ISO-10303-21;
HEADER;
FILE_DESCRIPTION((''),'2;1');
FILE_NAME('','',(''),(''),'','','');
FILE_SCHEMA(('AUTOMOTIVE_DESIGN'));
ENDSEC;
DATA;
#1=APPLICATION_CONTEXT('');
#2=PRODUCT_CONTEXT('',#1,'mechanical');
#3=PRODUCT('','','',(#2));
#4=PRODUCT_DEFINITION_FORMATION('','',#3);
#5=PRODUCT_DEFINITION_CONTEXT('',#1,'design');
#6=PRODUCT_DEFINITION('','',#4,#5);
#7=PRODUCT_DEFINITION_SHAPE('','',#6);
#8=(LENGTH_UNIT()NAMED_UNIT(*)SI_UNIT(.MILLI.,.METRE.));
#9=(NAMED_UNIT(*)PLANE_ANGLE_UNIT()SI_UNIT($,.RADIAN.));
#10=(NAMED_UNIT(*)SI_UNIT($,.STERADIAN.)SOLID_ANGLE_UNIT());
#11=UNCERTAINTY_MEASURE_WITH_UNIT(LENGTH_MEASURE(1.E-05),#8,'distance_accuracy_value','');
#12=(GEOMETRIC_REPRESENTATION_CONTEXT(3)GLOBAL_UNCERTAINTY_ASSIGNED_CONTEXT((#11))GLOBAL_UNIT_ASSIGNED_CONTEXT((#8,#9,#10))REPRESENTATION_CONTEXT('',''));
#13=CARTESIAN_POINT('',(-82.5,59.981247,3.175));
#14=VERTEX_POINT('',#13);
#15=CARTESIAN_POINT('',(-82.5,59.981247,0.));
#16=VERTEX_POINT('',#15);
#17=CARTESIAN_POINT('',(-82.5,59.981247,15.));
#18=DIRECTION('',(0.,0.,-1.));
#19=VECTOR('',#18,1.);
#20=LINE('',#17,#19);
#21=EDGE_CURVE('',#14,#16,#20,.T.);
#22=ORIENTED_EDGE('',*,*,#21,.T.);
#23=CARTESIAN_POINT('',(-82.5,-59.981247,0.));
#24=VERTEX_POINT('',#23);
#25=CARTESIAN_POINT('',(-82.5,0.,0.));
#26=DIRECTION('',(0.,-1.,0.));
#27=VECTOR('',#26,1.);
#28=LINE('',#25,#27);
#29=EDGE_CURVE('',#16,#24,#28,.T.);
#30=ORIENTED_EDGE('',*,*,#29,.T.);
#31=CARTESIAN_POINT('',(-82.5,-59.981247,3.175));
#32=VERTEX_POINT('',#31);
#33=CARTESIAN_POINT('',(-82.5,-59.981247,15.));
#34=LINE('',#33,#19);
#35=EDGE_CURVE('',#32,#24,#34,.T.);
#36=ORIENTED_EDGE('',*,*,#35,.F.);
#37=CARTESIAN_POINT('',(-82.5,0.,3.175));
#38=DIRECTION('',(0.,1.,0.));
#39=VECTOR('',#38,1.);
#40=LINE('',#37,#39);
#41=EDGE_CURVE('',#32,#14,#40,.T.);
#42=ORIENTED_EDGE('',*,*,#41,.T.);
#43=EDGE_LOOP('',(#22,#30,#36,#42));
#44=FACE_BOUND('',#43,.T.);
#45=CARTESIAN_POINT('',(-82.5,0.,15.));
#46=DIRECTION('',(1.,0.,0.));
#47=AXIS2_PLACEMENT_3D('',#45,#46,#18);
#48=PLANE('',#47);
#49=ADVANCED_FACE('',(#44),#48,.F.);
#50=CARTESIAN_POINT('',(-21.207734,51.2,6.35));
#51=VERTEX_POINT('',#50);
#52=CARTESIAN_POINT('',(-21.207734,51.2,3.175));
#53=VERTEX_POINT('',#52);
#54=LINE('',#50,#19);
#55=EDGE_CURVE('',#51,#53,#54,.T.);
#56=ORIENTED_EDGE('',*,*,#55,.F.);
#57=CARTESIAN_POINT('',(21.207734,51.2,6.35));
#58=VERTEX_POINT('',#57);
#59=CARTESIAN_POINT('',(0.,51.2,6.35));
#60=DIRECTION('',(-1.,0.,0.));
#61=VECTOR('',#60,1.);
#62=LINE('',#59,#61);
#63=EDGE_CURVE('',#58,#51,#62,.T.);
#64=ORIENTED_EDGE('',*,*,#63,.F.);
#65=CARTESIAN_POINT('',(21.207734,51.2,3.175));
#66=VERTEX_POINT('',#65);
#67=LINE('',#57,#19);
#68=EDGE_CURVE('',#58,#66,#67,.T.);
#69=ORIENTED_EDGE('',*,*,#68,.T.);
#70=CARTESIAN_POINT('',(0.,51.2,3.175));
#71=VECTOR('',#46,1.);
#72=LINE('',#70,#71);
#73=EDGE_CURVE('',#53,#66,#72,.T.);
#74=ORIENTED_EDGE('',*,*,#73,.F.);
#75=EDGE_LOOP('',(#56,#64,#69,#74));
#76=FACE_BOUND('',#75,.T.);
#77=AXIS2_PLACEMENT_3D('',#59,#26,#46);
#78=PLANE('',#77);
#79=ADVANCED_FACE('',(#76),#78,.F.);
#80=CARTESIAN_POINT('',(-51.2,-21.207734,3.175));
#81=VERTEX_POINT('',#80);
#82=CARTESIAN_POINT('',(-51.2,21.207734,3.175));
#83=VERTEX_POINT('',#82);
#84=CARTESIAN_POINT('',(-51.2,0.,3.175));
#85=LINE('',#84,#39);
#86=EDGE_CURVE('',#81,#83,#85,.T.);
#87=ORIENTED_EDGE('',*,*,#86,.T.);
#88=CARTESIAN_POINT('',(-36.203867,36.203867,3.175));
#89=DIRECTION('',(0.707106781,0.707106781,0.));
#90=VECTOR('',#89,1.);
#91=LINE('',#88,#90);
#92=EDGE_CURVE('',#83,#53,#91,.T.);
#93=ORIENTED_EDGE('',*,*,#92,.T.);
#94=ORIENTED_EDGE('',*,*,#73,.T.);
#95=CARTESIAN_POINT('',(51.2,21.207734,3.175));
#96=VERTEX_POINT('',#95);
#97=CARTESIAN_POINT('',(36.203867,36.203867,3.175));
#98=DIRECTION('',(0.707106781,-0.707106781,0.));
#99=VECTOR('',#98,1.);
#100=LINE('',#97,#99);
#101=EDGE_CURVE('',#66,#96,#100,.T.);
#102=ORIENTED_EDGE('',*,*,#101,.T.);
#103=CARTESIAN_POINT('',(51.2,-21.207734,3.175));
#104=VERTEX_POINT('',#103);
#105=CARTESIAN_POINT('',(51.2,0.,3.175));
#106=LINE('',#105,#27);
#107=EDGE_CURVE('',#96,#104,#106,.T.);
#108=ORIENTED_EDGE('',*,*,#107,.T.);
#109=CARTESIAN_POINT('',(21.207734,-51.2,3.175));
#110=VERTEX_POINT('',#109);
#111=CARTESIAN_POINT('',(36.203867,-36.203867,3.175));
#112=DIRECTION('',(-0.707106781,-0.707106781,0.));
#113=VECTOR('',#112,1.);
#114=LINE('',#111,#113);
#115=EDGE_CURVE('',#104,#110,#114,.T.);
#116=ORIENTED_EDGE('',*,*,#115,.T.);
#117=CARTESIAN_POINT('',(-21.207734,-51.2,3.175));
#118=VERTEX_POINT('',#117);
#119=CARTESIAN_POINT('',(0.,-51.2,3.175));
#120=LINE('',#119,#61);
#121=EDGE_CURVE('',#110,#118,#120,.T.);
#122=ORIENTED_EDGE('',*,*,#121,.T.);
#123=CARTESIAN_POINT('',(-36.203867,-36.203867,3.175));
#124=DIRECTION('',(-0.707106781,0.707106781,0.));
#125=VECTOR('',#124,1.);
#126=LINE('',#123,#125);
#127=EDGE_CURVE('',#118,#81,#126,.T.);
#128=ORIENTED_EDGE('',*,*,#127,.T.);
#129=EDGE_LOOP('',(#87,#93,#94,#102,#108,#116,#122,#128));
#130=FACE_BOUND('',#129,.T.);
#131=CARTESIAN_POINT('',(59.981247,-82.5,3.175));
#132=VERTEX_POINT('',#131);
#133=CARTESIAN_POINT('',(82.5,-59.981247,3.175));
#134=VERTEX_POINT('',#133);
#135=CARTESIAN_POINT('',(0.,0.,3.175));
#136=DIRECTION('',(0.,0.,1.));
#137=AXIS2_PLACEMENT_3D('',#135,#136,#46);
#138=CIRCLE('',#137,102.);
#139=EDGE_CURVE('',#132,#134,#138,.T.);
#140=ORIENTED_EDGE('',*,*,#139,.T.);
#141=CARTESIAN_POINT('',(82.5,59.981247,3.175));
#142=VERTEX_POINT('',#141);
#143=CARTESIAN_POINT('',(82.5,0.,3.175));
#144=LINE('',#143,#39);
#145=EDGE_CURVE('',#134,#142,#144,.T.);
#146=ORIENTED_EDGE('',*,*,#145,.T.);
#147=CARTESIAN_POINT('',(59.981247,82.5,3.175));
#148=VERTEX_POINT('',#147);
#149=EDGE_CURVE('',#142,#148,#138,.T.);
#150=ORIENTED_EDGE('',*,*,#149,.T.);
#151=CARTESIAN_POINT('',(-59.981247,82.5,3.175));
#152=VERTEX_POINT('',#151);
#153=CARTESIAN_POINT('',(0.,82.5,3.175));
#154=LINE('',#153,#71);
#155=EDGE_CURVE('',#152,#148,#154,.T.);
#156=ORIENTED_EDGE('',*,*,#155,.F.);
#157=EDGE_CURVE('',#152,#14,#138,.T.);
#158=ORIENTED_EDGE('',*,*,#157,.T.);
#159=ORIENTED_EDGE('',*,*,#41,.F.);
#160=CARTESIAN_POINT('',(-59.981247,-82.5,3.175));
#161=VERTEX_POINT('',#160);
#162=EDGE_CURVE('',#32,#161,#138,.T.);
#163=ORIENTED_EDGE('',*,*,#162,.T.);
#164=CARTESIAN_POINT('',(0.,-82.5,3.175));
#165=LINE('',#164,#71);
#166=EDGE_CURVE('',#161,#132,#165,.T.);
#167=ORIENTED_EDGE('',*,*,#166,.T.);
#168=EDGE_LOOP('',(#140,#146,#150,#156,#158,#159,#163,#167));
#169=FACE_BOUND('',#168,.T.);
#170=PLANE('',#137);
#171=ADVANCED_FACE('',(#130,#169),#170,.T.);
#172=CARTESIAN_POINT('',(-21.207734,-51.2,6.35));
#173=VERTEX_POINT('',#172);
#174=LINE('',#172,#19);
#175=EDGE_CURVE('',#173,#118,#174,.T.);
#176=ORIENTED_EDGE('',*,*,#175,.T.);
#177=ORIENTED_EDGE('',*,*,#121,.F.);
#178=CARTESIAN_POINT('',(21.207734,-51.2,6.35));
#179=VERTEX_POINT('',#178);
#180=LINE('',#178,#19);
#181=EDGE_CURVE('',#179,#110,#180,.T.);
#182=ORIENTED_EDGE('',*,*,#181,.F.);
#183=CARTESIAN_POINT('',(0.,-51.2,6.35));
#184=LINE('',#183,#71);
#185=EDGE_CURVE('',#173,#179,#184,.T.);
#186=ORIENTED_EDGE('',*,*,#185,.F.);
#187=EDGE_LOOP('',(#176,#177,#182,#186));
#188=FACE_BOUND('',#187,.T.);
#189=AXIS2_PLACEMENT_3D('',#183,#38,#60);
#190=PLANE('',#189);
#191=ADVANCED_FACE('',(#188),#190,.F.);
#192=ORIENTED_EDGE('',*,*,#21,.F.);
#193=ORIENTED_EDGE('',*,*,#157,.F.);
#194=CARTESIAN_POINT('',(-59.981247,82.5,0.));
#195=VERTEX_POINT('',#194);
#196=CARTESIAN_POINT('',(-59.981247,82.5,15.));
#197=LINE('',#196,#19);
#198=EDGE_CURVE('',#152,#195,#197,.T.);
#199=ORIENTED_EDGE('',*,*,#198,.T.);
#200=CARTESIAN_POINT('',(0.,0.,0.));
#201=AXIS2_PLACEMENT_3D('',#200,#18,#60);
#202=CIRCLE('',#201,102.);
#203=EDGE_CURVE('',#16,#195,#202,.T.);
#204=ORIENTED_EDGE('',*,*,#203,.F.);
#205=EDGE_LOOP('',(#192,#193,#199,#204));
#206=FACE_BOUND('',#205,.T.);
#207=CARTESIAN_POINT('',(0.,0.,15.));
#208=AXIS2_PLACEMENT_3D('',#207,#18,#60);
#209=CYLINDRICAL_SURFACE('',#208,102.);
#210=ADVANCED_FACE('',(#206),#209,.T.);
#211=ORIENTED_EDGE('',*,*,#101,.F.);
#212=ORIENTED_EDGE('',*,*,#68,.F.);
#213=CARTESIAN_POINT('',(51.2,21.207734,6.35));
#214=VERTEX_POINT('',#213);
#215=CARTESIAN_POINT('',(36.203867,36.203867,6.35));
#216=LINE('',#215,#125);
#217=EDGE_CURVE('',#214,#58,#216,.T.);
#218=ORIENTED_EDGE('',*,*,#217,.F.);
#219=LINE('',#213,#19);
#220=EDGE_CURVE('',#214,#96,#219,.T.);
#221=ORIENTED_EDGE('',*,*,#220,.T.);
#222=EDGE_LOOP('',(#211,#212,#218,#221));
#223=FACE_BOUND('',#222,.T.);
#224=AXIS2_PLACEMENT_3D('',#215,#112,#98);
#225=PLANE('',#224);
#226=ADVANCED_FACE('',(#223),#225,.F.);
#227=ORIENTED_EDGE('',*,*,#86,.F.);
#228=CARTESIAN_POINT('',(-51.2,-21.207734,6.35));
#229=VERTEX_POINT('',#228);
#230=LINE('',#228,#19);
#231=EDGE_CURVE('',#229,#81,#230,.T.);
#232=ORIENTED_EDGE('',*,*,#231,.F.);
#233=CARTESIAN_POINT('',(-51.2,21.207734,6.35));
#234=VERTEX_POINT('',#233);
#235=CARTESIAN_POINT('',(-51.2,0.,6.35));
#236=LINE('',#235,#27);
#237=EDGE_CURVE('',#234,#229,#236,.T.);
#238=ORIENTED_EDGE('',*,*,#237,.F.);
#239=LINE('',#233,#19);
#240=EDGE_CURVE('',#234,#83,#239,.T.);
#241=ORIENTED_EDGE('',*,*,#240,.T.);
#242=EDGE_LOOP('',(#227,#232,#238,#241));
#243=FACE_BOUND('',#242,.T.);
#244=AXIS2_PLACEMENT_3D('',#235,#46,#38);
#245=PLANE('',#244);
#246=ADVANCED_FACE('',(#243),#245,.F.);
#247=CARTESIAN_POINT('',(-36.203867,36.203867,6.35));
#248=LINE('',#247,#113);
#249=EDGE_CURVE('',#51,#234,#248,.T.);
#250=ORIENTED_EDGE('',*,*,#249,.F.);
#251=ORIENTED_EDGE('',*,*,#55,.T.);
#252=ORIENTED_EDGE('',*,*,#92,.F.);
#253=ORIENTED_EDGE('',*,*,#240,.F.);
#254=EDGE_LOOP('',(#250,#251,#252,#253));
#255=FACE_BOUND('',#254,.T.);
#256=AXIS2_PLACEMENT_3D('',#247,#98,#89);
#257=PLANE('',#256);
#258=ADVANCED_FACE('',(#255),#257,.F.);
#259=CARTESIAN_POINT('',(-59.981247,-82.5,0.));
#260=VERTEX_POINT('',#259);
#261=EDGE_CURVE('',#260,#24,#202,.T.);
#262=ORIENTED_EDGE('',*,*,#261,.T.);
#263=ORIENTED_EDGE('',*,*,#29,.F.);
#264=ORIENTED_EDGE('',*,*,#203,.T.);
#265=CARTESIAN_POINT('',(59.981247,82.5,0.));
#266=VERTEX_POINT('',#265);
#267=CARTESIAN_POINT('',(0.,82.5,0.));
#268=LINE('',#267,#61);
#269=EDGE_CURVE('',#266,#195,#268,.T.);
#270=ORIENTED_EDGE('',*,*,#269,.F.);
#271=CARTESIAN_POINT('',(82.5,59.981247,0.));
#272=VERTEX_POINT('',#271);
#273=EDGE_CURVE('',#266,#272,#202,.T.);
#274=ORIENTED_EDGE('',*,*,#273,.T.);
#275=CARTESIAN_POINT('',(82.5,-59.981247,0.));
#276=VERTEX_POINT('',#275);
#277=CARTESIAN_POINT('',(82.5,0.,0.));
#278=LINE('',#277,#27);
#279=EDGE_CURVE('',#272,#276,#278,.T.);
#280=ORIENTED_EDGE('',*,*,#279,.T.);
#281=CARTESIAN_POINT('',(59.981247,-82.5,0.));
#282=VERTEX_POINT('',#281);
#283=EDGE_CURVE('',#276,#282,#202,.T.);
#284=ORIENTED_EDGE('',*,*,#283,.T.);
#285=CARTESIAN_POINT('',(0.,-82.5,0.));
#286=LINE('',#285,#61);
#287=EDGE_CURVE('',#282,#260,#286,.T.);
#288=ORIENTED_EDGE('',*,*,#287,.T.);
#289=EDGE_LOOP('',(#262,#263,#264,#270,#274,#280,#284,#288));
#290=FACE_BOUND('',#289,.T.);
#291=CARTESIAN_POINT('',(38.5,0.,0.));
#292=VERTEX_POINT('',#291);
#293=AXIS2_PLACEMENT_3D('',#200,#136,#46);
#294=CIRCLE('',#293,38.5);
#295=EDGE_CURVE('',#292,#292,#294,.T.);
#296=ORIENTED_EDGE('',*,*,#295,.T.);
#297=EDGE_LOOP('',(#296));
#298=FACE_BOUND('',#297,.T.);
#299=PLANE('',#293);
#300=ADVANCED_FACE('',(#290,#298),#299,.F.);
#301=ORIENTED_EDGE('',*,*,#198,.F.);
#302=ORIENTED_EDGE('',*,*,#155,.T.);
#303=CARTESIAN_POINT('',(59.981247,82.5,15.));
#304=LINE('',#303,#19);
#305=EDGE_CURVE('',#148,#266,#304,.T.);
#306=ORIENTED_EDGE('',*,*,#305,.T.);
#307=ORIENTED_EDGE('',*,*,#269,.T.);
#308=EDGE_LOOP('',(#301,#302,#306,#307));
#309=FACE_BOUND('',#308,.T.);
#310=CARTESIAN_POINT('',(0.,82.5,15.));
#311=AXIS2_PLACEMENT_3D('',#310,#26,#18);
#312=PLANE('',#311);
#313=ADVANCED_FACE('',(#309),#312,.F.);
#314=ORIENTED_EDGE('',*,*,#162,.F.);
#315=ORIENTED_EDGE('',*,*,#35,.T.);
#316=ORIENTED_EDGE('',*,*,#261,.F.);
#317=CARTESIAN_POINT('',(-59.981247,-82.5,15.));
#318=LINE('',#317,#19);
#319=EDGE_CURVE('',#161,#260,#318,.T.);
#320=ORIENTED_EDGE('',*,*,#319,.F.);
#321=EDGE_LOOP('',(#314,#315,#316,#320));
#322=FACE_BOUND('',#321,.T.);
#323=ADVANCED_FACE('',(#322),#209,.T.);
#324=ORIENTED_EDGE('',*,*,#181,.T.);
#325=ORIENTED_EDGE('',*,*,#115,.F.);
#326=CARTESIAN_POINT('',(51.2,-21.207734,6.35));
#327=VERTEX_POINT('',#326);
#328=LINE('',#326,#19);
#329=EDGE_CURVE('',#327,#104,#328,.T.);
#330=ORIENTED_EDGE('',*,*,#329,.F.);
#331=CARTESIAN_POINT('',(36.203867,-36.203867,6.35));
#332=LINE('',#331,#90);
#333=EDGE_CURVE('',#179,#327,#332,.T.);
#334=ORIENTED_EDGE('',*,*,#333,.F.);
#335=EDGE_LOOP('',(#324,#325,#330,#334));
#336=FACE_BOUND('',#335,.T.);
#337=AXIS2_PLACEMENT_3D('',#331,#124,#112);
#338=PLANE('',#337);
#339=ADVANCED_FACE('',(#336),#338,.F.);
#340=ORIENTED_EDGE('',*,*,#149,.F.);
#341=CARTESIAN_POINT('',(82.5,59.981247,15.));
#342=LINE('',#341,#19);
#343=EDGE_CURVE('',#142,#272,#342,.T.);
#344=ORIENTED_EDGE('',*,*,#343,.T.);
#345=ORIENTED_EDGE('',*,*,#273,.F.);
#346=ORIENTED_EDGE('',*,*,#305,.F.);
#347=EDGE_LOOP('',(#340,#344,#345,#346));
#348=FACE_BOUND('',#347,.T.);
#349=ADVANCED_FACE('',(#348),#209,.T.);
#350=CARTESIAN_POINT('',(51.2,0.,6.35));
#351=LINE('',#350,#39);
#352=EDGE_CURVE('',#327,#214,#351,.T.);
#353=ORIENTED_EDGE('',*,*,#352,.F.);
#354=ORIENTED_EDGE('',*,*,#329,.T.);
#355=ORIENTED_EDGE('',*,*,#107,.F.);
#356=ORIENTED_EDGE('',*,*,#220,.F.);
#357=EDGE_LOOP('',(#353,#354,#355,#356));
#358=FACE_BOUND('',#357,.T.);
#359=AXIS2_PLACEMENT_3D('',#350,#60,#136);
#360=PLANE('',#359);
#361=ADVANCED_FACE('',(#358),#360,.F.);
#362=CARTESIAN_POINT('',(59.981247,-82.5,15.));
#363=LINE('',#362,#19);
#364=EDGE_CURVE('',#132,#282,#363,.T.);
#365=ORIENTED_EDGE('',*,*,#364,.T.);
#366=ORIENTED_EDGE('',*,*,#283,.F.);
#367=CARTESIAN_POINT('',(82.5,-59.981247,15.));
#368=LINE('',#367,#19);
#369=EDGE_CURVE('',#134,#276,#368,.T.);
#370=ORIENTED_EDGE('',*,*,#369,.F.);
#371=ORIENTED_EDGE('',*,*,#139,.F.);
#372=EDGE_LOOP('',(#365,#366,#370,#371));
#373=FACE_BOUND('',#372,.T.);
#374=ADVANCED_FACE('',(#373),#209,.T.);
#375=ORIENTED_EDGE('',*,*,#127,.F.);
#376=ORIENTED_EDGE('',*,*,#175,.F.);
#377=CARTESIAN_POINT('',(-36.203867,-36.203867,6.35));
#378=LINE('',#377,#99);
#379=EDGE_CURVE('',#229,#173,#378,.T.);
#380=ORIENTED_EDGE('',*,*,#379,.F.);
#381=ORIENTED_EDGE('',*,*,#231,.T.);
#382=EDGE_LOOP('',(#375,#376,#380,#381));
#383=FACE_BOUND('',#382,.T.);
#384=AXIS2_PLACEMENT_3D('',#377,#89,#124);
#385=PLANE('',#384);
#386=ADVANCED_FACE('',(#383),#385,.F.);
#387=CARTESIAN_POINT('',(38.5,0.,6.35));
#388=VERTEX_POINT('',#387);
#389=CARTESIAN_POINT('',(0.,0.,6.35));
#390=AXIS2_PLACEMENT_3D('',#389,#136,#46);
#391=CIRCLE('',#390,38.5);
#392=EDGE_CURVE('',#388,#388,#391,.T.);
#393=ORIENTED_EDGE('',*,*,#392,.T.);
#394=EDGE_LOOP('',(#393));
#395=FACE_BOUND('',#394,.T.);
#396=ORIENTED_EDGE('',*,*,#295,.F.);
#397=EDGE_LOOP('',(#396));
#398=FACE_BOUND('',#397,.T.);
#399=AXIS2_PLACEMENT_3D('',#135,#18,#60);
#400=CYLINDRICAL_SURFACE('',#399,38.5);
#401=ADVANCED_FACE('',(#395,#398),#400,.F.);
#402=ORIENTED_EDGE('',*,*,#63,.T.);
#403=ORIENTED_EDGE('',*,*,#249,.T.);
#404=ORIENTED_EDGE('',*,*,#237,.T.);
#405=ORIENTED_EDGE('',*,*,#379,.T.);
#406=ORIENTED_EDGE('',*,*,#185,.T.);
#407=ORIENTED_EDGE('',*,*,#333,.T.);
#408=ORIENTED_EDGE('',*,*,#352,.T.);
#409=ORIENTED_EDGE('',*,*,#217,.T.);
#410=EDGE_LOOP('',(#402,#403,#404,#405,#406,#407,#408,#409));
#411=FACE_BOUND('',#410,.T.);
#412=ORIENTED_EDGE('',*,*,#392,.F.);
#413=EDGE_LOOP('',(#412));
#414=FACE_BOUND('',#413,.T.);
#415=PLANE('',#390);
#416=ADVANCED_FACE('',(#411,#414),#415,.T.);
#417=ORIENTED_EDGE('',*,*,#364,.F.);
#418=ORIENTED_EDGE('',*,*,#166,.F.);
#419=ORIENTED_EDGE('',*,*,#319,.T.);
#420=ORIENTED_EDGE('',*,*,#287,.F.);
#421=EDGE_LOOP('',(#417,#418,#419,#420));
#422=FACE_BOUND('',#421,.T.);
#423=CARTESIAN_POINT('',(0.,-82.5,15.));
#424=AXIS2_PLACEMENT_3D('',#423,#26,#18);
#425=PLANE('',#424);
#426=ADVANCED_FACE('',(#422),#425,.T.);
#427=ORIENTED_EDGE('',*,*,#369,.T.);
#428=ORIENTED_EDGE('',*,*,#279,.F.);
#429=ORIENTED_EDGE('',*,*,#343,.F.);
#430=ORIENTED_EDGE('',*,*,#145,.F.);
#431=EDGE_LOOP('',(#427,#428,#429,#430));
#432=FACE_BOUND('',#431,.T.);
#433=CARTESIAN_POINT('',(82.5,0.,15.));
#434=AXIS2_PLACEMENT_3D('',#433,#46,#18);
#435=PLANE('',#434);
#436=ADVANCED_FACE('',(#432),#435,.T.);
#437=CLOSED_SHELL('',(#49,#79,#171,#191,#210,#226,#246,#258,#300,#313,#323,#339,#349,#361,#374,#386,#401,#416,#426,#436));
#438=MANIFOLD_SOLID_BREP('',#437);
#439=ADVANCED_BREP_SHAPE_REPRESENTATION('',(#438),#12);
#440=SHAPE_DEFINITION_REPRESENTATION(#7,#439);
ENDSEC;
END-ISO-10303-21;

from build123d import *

# Parameters (mm, degrees)
SKETCH1_W           = 203.947710216
SKETCH1_H           = 203.947710216
SKETCH1_R           = 38.5
BOSS_EXTRUDE1_DEPTH = 3.175
SKETCH1_3_R         = 38.5
BOSS_EXTRUDE2_DEPTH = 6.35
SKETCH6_W           = 203.947710216
SKETCH6_H           = 203.947710216
CUT_EXTRUDE1_DEPTH  = 15


with BuildPart() as part:
    # Sketch1 → Boss-Extrude1 (new body)
    with BuildSketch(Plane.XY):
        Rectangle(SKETCH1_W, SKETCH1_H)
        Circle(SKETCH1_R, mode=Mode.SUBTRACT)
    extrude(amount=BOSS_EXTRUDE1_DEPTH)

    # Sketch1<3> → Boss-Extrude2 (add)
    with BuildSketch(Plane.XY):
        Polygon((51.2, 21.207734394), (21.207734394, 51.2), (-21.207734394, 51.2), (-51.2, 21.207734394), (-51.2, -21.207734394), (-21.207734394, -51.2), (21.207734394, -51.2), (51.2, -21.207734394), align=None)
        Circle(SKETCH1_3_R, mode=Mode.SUBTRACT)
    extrude(amount=BOSS_EXTRUDE2_DEPTH)

    # Sketch6 → Cut-Extrude1 (cut)
    with BuildSketch(Plane(origin=(0, 0, 0), x_dir=(-1, 0, 0), z_dir=(0, 0, -1))):
        Rectangle(SKETCH6_W, SKETCH6_H)
        with BuildLine():
            Line((-82.5, -59.981247069), (-82.5, 59.981247069))
            ThreePointArc((-82.5, 59.981247069), (-72.124891681, 72.124891681), (-59.981247069, 82.5))
            Line((-59.981247069, 82.5), (59.981247069, 82.5))
            ThreePointArc((59.981247069, 82.5), (72.124891681, 72.124891681), (82.5, 59.981247069))
            Line((82.5, 59.981247069), (82.5, -59.981247069))
            ThreePointArc((82.5, -59.981247069), (72.124891681, -72.124891681), (59.981247069, -82.5))
            Line((59.981247069, -82.5), (-59.981247069, -82.5))
            ThreePointArc((-59.981247069, -82.5), (-72.124891681, -72.124891681), (-82.5, -59.981247069))
        make_face(mode=Mode.SUBTRACT)
    extrude(amount=-CUT_EXTRUDE1_DEPTH, mode=Mode.SUBTRACT)


solid = part.part
